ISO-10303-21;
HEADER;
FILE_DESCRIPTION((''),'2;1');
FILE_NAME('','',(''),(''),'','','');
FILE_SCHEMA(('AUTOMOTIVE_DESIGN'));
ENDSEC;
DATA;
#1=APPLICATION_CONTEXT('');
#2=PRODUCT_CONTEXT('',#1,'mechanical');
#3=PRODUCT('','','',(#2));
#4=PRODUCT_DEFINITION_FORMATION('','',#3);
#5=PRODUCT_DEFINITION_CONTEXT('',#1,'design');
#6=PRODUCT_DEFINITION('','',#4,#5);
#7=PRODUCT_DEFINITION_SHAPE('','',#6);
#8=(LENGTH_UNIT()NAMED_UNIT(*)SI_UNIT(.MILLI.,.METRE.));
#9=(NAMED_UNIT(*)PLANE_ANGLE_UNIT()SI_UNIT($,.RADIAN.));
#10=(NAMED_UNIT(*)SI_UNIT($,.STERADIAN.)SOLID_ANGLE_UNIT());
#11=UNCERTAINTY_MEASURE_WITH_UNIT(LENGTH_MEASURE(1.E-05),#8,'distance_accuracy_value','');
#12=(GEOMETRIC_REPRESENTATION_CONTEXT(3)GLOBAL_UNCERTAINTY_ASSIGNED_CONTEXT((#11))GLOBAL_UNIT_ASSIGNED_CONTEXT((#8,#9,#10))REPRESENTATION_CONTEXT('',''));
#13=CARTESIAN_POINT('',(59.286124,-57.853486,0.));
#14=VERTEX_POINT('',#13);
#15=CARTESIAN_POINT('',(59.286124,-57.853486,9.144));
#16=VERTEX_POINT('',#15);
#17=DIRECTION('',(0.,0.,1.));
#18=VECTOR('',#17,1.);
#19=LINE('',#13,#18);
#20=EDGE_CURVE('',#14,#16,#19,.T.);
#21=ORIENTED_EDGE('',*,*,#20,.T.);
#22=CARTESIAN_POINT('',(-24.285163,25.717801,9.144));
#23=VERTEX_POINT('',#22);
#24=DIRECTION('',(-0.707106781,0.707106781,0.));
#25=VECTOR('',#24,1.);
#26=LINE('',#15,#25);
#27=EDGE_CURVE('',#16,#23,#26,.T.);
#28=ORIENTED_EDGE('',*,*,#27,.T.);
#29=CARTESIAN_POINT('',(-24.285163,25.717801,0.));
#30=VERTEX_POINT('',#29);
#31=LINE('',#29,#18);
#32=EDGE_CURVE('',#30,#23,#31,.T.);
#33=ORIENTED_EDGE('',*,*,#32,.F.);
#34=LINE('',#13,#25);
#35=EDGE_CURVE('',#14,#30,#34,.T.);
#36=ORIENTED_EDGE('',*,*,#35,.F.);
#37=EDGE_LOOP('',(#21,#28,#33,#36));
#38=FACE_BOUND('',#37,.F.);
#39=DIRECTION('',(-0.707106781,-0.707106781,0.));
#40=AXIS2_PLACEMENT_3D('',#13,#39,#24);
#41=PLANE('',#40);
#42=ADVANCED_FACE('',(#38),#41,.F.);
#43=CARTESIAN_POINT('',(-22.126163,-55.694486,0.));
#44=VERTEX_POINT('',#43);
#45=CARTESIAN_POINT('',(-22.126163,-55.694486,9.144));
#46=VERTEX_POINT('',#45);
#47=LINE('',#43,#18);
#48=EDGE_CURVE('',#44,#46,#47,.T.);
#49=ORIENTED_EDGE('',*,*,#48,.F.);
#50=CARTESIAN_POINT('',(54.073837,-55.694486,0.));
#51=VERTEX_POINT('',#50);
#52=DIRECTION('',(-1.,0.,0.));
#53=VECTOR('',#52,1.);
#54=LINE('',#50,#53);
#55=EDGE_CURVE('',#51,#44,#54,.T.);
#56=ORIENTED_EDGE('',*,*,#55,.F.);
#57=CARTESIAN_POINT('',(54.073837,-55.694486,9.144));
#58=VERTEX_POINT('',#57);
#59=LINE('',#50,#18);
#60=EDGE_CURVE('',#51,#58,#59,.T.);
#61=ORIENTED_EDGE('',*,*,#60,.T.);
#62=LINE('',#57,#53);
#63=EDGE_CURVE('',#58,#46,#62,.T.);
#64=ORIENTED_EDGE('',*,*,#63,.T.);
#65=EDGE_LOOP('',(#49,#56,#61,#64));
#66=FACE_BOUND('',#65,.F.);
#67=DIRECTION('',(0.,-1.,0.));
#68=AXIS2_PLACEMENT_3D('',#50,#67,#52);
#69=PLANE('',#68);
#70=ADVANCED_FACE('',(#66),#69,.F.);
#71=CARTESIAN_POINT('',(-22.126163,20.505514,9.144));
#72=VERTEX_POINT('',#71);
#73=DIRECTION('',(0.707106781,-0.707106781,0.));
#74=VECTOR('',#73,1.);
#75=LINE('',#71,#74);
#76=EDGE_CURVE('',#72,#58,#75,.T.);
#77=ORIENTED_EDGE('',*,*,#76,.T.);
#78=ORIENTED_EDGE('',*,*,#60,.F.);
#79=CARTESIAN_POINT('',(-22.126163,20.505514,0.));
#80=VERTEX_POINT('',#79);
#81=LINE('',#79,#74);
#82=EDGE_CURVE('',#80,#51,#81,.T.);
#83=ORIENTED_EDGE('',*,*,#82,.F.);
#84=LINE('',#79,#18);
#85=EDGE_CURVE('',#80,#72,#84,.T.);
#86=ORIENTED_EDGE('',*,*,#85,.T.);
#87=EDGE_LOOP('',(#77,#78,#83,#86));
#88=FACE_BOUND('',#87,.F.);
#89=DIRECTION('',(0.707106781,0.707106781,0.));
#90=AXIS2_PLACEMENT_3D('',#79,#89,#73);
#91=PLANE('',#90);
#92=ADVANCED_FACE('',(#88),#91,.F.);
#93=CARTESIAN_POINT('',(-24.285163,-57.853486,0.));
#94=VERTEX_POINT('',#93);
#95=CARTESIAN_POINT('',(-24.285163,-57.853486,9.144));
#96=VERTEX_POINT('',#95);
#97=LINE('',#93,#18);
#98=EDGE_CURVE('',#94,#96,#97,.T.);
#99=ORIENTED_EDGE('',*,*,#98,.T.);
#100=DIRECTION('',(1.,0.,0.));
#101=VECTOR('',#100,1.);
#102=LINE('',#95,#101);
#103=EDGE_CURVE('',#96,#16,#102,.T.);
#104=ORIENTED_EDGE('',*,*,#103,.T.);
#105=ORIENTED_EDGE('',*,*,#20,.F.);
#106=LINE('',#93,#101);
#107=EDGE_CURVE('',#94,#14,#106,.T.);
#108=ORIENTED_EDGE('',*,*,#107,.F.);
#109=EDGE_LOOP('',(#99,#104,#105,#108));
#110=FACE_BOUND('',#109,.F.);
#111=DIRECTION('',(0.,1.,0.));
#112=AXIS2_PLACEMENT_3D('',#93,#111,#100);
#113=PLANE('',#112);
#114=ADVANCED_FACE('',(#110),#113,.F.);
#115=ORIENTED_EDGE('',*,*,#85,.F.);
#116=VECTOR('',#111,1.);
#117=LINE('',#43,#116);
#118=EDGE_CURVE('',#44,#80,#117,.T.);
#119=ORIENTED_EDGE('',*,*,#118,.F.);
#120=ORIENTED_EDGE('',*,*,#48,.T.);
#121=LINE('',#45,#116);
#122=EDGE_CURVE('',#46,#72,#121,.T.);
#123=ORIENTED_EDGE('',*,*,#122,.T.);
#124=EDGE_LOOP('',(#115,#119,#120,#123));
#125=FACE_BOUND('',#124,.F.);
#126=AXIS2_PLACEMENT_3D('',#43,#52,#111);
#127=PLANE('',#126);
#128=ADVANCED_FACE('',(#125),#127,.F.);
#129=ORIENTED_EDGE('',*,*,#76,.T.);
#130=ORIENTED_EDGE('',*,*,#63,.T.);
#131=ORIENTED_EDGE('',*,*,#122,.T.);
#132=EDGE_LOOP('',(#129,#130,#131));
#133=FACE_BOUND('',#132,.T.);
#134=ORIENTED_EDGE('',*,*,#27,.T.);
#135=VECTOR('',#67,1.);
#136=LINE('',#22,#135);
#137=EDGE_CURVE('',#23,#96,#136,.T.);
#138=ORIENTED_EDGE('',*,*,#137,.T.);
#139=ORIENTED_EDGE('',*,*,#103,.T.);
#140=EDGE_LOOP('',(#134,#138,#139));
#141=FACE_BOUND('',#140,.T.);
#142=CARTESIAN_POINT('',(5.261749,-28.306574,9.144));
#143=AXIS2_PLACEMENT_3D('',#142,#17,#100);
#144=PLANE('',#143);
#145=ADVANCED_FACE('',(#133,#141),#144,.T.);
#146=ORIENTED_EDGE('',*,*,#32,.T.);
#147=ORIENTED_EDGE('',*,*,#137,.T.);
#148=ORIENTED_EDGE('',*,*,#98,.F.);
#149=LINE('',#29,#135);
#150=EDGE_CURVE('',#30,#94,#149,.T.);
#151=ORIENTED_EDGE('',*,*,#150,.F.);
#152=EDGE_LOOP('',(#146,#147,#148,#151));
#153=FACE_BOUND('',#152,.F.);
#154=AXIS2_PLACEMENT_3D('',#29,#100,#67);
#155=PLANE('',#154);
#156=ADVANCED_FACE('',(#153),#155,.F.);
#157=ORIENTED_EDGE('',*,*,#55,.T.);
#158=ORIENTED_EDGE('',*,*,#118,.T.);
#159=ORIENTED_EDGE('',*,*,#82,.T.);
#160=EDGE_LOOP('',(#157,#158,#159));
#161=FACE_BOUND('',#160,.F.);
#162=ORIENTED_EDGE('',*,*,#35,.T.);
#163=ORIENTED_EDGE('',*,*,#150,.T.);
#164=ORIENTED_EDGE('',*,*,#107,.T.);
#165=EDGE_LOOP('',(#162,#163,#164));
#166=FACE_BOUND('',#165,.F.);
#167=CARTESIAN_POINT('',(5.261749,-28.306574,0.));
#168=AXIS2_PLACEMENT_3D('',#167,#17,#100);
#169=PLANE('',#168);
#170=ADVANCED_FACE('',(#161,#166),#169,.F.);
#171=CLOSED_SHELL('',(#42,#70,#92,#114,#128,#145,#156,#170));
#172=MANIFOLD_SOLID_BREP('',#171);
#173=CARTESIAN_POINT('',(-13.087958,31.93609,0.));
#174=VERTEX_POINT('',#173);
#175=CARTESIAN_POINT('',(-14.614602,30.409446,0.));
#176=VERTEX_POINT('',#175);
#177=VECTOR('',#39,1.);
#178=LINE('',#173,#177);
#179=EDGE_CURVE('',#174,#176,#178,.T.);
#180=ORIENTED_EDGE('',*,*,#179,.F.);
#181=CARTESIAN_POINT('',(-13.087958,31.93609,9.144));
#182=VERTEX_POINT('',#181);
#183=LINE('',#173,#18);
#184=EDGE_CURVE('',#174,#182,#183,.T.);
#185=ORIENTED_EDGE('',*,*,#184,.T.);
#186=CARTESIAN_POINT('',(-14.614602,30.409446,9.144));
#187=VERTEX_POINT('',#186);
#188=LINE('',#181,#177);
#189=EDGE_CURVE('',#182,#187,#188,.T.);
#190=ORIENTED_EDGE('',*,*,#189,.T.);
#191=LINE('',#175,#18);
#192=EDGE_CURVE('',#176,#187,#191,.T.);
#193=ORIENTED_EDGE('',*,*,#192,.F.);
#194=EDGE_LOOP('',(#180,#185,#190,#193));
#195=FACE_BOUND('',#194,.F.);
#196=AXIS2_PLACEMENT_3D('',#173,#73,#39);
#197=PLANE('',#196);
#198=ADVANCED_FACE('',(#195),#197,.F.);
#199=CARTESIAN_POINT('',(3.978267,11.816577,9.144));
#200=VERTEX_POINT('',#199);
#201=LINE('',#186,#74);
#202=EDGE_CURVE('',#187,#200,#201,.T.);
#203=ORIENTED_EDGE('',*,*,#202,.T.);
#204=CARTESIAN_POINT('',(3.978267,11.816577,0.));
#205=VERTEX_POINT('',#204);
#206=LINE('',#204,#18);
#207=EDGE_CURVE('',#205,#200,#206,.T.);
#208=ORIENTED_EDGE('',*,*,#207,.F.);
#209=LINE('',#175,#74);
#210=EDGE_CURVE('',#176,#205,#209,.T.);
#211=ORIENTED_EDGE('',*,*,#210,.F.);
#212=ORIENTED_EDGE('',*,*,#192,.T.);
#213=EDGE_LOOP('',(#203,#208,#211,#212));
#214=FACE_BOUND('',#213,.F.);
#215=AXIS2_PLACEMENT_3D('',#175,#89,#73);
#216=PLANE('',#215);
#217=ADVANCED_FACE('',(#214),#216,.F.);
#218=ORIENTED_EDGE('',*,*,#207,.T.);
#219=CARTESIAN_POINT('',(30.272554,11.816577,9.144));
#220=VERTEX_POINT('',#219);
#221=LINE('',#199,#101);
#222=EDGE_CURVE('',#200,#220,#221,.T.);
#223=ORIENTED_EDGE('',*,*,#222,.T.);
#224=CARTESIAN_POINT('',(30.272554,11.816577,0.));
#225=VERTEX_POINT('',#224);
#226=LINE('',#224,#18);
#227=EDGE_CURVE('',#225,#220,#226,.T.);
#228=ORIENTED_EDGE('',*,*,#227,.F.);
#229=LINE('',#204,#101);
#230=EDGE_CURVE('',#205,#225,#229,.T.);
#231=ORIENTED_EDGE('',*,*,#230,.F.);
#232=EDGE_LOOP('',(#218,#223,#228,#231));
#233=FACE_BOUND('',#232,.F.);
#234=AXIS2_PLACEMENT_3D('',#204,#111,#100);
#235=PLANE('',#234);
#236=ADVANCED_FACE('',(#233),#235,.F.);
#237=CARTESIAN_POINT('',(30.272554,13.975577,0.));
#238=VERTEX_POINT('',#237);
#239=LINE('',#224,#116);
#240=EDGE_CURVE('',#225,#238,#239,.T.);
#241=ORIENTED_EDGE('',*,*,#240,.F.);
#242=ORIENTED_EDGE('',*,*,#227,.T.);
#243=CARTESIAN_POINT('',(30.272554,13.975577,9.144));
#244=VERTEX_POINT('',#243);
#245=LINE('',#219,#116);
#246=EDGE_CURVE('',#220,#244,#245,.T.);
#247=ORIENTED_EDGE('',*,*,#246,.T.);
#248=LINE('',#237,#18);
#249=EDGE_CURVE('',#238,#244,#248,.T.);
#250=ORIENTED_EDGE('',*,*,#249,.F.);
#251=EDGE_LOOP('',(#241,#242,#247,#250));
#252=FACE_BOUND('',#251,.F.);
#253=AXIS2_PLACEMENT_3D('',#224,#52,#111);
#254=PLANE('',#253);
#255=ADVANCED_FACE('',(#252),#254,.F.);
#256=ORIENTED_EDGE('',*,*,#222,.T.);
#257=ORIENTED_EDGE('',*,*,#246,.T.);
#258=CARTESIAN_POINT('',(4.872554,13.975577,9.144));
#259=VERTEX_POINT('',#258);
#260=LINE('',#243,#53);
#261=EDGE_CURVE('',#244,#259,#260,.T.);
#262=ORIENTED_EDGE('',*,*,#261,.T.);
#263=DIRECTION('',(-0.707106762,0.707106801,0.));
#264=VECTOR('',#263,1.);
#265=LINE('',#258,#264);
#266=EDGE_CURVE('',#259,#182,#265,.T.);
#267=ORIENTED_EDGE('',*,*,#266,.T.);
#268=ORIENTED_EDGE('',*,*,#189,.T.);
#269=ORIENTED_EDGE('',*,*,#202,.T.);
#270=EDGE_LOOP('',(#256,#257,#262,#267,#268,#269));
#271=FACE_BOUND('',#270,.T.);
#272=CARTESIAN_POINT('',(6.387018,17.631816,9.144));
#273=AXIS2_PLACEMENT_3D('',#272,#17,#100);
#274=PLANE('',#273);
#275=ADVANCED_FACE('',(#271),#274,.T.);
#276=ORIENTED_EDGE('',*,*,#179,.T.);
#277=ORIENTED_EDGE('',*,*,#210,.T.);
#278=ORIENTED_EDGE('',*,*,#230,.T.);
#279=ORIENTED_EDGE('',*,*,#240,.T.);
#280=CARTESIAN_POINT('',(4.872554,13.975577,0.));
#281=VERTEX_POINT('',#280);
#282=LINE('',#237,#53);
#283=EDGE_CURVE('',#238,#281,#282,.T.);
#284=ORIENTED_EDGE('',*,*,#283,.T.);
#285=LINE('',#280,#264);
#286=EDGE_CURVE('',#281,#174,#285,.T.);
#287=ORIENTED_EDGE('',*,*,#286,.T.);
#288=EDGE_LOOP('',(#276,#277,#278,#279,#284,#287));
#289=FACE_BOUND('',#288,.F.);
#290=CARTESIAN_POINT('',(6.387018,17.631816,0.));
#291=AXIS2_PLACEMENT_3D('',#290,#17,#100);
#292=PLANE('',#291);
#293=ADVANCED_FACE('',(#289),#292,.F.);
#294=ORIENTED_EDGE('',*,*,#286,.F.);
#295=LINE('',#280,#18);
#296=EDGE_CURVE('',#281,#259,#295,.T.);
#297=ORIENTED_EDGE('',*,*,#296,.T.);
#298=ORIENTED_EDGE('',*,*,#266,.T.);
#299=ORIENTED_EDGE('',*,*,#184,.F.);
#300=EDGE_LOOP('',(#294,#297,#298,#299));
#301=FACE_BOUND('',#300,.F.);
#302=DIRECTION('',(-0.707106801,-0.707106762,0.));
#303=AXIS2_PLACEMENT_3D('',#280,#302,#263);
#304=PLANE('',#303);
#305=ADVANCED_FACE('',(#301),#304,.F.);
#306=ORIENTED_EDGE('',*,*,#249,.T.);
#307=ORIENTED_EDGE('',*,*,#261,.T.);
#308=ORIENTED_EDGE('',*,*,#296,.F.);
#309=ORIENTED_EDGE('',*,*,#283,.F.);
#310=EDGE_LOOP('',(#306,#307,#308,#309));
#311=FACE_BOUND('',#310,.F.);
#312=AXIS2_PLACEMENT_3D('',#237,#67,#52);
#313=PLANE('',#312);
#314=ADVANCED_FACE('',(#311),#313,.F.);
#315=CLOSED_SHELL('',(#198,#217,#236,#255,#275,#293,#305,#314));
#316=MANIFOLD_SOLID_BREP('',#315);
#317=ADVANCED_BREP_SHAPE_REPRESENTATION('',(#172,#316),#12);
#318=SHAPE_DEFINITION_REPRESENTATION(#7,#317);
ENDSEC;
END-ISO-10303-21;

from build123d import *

# Parameters (mm, degrees)
F1_DEPTH = 9.144


with BuildPart() as f1:
    # F0 (on Top) → F1 (new body)
    with BuildSketch(Plane.XY):
        Polygon((3.978267, 11.816577), (30.272554, 11.816577), (30.272554, 13.975577), (4.872554, 13.975577), (-13.087958, 31.93609), (-14.614602, 30.409446), align=None)
        Polygon((-24.285163, -57.853486), (59.286124, -57.853486), (-24.285163, 25.717801), (-24.285163, -55.694486), align=None)
        Polygon((54.073837, -55.694486), (-22.126163, -55.694486), (-22.126163, 20.505514), align=None, mode=Mode.SUBTRACT)
    extrude(amount=F1_DEPTH)


solid = f1.part
